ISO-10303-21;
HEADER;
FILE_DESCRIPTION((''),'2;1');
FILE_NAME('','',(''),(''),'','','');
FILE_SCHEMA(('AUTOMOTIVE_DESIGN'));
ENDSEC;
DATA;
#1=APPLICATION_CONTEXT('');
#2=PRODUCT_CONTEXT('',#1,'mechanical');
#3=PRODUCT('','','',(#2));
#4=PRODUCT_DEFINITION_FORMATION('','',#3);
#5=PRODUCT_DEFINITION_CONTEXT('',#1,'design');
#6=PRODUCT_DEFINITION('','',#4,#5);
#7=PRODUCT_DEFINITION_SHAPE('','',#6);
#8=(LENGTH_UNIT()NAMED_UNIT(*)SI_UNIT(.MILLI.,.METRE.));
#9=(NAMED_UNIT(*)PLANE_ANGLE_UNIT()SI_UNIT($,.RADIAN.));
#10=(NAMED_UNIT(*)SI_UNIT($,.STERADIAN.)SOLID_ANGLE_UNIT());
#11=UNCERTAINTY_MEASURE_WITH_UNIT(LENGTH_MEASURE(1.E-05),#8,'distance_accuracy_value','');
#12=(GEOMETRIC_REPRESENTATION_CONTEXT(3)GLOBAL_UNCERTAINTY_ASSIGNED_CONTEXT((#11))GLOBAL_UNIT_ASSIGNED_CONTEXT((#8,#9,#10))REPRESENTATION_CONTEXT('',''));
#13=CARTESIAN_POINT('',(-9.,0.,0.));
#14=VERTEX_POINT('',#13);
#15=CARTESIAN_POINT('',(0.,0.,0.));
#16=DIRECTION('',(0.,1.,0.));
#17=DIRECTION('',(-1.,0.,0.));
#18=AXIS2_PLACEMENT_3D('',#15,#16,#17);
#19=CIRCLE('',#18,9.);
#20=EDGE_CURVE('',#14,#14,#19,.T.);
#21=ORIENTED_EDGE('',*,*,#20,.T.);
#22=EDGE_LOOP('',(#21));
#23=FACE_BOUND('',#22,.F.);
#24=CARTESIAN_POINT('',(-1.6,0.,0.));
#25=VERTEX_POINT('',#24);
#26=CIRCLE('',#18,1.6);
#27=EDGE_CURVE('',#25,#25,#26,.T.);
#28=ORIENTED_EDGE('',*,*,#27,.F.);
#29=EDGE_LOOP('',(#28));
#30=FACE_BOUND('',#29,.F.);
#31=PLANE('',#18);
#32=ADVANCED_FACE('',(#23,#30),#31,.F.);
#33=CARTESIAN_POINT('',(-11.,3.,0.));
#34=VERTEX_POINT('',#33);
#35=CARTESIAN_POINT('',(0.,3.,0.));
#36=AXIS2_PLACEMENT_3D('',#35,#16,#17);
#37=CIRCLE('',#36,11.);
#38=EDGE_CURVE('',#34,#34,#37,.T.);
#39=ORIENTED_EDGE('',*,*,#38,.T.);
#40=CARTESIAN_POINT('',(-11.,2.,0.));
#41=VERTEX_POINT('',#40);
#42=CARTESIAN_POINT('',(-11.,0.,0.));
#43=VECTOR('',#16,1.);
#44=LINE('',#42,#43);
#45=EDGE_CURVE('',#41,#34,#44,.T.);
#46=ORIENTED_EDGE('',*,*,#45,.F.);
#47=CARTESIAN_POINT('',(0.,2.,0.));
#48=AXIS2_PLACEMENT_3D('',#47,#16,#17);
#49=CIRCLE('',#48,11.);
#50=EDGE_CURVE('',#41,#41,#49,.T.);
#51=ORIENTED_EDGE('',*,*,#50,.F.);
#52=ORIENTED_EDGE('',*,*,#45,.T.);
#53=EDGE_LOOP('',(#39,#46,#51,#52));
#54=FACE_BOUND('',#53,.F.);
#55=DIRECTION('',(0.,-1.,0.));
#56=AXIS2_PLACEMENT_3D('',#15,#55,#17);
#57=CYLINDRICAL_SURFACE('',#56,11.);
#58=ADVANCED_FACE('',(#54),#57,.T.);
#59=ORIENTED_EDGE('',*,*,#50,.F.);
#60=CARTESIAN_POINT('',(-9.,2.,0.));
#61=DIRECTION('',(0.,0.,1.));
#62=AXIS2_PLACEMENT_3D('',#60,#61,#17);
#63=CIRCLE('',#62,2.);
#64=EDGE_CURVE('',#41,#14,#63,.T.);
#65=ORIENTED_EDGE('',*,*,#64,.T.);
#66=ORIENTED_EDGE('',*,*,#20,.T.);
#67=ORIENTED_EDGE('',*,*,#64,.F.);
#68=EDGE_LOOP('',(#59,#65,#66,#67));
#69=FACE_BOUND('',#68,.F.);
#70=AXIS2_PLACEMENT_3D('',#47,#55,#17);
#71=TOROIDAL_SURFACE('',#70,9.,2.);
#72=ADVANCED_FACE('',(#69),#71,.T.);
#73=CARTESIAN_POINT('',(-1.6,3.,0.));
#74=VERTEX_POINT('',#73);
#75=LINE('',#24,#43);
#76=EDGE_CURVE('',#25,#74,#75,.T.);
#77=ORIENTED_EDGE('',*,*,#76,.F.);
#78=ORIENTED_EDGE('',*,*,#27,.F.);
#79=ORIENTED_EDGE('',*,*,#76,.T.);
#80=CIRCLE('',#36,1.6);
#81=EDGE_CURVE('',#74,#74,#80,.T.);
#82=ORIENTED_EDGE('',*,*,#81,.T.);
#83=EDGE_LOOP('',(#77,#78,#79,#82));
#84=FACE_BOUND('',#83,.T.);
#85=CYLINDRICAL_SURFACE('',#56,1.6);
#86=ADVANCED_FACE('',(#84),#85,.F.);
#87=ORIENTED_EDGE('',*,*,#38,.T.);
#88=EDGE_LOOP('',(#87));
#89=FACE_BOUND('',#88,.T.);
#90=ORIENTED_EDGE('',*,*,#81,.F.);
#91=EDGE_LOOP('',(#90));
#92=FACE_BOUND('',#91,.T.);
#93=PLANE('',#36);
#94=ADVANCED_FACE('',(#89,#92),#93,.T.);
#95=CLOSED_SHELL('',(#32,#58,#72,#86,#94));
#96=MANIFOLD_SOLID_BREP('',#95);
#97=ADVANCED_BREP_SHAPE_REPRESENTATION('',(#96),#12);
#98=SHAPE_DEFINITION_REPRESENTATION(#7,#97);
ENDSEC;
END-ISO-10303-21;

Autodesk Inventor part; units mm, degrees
ref_plane "YZ Plane" through (0, 0, 0) normal (1, 0, 0) x (0, 1, 0)
ref_plane "XZ Plane" through (0, 0, 0) normal (0, 1, 0) x (-1, 0, 0)
ref_plane "XY Plane" through (0, 0, 0) normal (0, 0, 1) x (1, 0, 0)
sketch "Sketch1" plane through (0, 0, 0) normal (0, 1, 0) x (-1, 0, 0)
  circle A0 centre (0, 0) radius 11
  circle A1 centre (0, 0) radius 1.6
  dimension "d0" = 22
  dimension "d1" = 3.2
extrude "Extrusion1" add sketch "Sketch1" along normal blind 3
fillet "Fillet1" radius 2 1 edges at (11, 0, 0)
properties part number "Foam_wing_mount_washer"
